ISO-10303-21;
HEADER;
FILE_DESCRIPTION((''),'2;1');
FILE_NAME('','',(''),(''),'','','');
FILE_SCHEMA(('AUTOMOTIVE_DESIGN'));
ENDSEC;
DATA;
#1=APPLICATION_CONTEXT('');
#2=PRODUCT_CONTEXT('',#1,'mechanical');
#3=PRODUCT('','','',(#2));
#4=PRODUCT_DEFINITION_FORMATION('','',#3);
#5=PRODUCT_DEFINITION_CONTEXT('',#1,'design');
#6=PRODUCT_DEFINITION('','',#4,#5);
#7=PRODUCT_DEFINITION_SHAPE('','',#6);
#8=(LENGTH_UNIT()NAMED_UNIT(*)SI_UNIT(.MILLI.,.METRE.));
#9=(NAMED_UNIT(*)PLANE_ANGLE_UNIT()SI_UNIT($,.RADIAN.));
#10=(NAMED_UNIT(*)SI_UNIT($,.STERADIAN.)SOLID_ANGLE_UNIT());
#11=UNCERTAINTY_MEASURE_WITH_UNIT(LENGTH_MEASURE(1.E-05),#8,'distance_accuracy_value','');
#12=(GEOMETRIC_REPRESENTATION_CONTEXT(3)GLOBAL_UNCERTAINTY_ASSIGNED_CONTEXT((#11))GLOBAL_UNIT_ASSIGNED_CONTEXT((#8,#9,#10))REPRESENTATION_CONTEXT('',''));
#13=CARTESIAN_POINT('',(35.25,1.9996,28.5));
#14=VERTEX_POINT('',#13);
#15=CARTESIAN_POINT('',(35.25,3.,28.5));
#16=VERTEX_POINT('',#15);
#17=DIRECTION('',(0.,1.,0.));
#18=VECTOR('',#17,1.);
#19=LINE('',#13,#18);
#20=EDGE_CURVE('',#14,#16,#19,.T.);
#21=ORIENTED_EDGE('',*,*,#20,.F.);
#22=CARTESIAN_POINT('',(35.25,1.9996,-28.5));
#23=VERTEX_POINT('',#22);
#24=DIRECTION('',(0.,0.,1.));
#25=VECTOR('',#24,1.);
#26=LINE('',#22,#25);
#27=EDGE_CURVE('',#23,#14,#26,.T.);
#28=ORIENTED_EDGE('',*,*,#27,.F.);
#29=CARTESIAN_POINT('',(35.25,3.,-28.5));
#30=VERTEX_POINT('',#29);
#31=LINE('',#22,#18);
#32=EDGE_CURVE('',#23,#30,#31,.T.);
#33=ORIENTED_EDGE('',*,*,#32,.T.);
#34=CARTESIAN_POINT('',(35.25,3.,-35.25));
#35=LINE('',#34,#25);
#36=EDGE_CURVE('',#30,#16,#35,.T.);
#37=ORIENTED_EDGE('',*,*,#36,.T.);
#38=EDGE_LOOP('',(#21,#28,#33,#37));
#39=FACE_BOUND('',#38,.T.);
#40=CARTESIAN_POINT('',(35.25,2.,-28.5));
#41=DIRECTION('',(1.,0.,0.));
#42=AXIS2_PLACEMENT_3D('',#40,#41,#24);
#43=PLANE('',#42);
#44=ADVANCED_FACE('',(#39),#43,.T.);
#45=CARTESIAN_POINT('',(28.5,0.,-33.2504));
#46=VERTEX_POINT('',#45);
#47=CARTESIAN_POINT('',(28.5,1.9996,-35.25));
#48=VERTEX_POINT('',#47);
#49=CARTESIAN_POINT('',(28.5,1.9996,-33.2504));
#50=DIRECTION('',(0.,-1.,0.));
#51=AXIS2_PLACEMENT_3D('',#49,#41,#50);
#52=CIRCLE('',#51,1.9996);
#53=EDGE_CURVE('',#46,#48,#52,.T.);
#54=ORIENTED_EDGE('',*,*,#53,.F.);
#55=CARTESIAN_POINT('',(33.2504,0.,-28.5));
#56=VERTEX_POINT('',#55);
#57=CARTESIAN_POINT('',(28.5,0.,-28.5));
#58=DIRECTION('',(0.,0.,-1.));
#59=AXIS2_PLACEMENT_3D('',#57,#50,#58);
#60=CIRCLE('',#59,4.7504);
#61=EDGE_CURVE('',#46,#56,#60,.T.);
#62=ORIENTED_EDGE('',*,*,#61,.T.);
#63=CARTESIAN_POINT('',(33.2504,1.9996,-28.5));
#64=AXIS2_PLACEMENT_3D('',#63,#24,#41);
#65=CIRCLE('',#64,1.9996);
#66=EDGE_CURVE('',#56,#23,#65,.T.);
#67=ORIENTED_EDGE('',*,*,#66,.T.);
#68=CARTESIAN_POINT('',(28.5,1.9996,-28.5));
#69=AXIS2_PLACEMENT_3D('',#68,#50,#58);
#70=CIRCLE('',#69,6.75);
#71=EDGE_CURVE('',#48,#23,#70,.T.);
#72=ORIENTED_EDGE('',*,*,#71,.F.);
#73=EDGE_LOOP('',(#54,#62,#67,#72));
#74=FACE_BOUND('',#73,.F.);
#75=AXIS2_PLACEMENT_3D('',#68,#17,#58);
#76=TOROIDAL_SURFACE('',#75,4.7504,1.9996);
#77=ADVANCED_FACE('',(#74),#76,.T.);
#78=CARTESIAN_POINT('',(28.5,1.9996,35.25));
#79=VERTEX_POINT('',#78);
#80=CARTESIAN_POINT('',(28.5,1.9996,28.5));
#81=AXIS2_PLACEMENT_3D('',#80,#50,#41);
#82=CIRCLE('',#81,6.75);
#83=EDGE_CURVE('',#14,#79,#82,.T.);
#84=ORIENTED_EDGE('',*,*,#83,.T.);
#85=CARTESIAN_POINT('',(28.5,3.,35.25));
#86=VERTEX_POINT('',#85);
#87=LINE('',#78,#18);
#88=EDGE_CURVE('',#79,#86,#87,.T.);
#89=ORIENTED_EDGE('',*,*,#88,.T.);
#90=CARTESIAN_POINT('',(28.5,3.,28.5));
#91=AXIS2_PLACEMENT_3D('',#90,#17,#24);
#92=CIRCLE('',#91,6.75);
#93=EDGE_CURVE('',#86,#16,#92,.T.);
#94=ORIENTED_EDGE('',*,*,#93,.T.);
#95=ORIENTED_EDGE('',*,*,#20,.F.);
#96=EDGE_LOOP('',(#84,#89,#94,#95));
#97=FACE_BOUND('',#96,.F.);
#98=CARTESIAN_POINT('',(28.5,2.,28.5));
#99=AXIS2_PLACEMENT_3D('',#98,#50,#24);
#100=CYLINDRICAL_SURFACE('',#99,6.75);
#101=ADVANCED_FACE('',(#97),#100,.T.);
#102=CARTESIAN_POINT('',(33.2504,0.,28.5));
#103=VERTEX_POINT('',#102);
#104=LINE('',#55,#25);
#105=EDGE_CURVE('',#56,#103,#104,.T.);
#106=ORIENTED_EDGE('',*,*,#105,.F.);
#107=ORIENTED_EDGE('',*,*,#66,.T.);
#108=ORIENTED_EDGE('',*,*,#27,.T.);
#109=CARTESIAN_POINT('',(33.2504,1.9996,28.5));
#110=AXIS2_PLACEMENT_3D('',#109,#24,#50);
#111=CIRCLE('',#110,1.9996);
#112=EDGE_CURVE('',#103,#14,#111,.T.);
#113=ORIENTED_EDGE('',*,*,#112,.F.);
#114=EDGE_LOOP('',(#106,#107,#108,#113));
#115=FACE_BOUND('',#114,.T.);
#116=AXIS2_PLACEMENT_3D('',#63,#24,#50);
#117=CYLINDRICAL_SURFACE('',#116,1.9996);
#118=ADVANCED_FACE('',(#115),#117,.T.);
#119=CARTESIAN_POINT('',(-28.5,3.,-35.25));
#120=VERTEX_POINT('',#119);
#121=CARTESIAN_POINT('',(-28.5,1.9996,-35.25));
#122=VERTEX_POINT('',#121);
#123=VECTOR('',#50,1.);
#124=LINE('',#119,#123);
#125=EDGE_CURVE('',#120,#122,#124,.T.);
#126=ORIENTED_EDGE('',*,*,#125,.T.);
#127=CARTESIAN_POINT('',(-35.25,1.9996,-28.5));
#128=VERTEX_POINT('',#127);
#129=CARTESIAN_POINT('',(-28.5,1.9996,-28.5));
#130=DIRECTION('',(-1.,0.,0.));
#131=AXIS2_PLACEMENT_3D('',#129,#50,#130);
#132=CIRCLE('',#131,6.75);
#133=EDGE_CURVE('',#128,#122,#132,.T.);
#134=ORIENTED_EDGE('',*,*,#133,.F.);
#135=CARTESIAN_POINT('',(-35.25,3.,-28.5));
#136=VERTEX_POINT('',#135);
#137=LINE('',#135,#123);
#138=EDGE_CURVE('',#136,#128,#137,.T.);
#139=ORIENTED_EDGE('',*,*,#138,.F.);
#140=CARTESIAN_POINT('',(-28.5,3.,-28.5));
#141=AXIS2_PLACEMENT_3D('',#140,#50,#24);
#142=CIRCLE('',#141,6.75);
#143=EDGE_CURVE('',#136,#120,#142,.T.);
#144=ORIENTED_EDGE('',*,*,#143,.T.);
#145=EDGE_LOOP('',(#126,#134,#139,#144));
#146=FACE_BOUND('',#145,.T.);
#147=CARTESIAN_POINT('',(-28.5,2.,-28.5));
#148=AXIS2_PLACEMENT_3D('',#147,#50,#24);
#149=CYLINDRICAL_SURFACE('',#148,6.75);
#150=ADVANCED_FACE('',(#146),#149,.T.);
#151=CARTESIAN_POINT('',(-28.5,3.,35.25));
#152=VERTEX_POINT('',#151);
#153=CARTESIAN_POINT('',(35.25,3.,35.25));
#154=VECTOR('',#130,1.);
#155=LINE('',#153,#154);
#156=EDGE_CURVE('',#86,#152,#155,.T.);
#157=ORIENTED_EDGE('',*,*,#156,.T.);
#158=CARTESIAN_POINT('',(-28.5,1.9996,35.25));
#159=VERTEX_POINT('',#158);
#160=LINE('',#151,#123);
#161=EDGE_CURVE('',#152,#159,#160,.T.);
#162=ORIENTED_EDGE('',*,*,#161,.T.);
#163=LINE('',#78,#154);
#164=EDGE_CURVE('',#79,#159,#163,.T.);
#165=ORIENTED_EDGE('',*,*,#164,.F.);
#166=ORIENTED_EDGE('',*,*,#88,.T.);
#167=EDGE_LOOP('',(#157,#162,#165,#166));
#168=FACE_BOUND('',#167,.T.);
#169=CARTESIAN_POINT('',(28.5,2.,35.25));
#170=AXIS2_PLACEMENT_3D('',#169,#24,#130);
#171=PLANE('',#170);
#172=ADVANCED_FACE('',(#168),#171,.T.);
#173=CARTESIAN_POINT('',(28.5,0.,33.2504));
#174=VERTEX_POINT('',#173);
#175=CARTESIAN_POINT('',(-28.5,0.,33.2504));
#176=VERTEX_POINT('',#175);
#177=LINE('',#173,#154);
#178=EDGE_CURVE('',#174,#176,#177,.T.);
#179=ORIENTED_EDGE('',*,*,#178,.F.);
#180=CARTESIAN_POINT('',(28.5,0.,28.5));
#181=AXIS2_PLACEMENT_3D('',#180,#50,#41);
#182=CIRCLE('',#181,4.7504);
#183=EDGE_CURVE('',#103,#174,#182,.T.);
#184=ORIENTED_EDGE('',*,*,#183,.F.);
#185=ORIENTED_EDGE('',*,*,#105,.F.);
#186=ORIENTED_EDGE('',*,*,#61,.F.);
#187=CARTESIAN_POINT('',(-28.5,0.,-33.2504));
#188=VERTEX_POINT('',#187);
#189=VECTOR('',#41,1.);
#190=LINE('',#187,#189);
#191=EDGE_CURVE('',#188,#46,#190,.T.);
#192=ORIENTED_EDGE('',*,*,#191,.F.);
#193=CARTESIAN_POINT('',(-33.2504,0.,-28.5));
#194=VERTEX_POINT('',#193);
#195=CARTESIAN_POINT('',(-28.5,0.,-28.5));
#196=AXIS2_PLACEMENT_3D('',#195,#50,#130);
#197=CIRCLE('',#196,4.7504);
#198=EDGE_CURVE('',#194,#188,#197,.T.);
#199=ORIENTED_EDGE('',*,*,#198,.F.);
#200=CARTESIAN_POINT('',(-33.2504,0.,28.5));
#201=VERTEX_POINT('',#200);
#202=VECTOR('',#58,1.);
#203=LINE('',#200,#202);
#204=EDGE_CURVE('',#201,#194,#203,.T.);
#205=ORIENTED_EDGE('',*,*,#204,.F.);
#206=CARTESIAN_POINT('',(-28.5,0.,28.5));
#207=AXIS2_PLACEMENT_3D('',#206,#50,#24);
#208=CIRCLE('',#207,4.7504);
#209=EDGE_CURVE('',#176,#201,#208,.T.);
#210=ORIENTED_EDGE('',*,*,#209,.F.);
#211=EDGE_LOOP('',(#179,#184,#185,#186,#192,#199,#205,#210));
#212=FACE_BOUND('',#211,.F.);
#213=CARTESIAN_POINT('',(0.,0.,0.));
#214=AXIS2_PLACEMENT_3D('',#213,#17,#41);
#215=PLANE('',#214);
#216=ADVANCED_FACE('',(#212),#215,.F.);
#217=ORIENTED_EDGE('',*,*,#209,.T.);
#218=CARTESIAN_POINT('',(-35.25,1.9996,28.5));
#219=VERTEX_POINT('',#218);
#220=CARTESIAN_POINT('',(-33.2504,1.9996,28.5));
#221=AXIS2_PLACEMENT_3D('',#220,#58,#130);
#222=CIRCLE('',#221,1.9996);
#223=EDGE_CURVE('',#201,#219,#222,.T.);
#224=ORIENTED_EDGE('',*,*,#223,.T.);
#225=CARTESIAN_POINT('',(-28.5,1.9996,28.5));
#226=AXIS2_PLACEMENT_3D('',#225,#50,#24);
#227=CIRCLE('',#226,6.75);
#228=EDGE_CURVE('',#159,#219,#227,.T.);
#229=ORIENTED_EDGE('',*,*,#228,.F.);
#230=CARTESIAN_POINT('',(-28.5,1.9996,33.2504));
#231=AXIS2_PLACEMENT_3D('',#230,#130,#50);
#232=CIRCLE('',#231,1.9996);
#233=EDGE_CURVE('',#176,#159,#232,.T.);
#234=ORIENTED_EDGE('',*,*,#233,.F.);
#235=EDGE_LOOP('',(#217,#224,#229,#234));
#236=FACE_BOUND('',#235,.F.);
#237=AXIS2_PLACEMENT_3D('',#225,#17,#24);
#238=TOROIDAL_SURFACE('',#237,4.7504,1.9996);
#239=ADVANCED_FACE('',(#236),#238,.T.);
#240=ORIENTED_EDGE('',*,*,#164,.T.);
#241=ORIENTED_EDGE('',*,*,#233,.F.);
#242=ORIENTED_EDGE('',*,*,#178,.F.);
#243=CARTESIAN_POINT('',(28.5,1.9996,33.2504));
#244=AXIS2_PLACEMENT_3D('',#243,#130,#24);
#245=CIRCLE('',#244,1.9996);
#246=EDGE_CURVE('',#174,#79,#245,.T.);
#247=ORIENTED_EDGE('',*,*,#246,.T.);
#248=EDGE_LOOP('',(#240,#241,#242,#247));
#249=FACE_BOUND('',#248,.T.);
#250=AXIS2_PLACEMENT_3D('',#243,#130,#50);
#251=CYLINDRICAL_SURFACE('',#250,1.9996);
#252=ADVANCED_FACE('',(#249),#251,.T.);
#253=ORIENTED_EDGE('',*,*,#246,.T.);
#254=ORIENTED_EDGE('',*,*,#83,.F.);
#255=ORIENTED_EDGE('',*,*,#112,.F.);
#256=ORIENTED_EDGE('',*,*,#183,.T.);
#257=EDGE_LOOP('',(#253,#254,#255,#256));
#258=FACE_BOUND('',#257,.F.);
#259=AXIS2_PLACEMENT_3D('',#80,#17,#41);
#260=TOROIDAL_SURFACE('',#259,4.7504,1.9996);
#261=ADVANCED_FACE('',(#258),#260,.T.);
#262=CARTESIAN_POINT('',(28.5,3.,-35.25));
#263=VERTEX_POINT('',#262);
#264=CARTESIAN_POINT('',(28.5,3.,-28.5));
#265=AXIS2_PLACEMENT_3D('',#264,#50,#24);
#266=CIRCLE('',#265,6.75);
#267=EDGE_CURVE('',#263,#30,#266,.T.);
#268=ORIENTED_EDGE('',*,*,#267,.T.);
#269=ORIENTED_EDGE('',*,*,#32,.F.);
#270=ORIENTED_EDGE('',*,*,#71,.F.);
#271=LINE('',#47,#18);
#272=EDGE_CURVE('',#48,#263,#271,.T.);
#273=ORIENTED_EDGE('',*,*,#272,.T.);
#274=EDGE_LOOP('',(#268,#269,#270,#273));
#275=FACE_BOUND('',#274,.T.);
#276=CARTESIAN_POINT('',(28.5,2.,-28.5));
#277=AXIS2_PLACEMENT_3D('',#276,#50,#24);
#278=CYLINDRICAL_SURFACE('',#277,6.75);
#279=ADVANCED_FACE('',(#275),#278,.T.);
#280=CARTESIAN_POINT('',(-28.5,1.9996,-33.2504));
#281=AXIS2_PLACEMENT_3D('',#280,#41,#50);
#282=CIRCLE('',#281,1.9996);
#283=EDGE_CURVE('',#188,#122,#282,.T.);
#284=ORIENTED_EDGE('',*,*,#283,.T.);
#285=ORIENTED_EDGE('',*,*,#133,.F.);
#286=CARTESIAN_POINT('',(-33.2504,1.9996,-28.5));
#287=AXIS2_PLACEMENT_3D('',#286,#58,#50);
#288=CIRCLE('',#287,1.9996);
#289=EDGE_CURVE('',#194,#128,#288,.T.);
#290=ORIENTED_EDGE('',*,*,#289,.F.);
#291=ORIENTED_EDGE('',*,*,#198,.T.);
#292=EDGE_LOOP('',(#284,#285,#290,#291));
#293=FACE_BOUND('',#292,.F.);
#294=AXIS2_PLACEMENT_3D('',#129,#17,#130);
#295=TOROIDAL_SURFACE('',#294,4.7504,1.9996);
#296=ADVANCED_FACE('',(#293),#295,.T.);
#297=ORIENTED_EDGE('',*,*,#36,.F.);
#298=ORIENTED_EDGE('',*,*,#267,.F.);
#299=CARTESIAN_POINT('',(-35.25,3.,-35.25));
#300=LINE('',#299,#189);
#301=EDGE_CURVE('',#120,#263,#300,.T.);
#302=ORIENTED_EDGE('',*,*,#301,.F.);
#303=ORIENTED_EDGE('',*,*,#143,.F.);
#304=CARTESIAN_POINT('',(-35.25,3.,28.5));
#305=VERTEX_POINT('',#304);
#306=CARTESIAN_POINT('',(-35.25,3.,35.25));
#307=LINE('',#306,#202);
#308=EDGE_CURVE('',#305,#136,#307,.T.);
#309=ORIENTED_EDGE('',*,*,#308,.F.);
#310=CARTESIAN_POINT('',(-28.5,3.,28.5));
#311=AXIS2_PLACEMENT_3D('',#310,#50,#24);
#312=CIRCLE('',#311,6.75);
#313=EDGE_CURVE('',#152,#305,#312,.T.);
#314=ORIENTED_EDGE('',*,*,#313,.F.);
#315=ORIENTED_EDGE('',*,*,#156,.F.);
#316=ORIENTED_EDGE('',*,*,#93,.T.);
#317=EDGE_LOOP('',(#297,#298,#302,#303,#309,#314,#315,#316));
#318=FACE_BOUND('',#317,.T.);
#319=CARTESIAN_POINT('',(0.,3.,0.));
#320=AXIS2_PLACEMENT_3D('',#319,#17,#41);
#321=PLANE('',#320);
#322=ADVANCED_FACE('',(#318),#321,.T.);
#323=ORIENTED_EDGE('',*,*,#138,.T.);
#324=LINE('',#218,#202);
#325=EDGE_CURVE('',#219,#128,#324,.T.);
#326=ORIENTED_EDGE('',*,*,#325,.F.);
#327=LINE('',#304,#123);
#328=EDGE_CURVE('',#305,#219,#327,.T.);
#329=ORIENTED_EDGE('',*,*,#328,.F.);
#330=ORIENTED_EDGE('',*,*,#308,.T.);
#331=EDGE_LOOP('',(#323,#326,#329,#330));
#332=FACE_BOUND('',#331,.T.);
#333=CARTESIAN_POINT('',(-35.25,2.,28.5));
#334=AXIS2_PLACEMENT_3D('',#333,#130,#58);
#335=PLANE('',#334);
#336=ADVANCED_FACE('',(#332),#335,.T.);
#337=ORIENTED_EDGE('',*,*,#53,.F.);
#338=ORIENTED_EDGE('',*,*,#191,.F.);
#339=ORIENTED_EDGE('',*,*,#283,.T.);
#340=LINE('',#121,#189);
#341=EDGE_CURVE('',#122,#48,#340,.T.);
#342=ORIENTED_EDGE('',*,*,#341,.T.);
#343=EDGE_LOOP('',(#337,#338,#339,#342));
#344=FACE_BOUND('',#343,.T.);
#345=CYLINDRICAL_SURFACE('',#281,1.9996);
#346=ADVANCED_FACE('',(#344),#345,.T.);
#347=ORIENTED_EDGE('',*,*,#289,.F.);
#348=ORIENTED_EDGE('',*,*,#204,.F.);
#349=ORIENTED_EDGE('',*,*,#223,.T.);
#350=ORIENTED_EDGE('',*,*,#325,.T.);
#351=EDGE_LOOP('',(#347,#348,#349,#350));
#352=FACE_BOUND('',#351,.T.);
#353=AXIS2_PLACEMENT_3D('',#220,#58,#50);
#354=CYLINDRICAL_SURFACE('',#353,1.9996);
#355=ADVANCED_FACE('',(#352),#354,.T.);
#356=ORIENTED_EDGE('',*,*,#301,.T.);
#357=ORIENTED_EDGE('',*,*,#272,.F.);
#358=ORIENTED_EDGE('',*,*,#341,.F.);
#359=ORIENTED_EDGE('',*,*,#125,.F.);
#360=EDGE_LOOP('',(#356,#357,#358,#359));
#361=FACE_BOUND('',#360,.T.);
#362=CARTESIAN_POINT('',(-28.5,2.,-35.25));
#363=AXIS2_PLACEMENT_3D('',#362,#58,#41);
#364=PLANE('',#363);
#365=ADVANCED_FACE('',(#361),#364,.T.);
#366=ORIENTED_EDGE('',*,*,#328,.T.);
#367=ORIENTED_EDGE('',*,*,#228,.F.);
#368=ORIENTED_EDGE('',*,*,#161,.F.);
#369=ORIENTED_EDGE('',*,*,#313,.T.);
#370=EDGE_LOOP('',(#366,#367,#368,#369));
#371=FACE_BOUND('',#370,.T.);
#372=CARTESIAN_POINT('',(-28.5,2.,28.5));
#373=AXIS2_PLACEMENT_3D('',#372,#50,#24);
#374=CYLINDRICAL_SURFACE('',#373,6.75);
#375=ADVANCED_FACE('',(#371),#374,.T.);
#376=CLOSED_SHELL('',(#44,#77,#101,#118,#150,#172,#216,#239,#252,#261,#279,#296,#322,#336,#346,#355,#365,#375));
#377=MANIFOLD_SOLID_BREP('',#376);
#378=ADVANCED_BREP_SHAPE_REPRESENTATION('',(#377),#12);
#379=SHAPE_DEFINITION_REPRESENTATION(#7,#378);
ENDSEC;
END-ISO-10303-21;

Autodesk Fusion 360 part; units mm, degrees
sketch "Sketch1" plane through (0, 0, 0) normal (0, 1, 0) x (1, 0, 0)
  line L0 (35.25, -35.25) -> (-35.25, -35.25)
  line L1 (-35.25, -35.25) -> (-35.25, 35.25)
  line L2 (-35.25, 35.25) -> (35.25, 35.25)
  line L3 (35.25, 35.25) -> (35.25, -35.25)
  line L4 (35.25, -35.25) -> (-35.25, 35.25) construction
  line L5 (-35.25, -35.25) -> (35.25, 35.25) construction
  dimension "d1" = 70.5
  dimension "d2" = 70.5
extrude "Extrude1" add sketch "Sketch1" along normal blind 2
fillet "Fillet1" radius 6.75 4 edges at (-35.25, 1, 35.25) (-35.25, 1, -35.25) (35.25, 1, 35.25) (35.25, 1, -35.25)
fillet "Fillet2" radius 2 8 edges at (0, 0, -35.25) (-33.273, 0, -33.273) (-35.25, 0, 0) (-33.273, 0, 33.273) (0, 0, 35.25) (33.273, 0, 33.273) (35.25, 0, 0) (33.273, 0, -33.273)
extrude "Extrude2" add 1 faces at (9.5, 2, 11.75) along direction (0, 1, 0) blind 1
